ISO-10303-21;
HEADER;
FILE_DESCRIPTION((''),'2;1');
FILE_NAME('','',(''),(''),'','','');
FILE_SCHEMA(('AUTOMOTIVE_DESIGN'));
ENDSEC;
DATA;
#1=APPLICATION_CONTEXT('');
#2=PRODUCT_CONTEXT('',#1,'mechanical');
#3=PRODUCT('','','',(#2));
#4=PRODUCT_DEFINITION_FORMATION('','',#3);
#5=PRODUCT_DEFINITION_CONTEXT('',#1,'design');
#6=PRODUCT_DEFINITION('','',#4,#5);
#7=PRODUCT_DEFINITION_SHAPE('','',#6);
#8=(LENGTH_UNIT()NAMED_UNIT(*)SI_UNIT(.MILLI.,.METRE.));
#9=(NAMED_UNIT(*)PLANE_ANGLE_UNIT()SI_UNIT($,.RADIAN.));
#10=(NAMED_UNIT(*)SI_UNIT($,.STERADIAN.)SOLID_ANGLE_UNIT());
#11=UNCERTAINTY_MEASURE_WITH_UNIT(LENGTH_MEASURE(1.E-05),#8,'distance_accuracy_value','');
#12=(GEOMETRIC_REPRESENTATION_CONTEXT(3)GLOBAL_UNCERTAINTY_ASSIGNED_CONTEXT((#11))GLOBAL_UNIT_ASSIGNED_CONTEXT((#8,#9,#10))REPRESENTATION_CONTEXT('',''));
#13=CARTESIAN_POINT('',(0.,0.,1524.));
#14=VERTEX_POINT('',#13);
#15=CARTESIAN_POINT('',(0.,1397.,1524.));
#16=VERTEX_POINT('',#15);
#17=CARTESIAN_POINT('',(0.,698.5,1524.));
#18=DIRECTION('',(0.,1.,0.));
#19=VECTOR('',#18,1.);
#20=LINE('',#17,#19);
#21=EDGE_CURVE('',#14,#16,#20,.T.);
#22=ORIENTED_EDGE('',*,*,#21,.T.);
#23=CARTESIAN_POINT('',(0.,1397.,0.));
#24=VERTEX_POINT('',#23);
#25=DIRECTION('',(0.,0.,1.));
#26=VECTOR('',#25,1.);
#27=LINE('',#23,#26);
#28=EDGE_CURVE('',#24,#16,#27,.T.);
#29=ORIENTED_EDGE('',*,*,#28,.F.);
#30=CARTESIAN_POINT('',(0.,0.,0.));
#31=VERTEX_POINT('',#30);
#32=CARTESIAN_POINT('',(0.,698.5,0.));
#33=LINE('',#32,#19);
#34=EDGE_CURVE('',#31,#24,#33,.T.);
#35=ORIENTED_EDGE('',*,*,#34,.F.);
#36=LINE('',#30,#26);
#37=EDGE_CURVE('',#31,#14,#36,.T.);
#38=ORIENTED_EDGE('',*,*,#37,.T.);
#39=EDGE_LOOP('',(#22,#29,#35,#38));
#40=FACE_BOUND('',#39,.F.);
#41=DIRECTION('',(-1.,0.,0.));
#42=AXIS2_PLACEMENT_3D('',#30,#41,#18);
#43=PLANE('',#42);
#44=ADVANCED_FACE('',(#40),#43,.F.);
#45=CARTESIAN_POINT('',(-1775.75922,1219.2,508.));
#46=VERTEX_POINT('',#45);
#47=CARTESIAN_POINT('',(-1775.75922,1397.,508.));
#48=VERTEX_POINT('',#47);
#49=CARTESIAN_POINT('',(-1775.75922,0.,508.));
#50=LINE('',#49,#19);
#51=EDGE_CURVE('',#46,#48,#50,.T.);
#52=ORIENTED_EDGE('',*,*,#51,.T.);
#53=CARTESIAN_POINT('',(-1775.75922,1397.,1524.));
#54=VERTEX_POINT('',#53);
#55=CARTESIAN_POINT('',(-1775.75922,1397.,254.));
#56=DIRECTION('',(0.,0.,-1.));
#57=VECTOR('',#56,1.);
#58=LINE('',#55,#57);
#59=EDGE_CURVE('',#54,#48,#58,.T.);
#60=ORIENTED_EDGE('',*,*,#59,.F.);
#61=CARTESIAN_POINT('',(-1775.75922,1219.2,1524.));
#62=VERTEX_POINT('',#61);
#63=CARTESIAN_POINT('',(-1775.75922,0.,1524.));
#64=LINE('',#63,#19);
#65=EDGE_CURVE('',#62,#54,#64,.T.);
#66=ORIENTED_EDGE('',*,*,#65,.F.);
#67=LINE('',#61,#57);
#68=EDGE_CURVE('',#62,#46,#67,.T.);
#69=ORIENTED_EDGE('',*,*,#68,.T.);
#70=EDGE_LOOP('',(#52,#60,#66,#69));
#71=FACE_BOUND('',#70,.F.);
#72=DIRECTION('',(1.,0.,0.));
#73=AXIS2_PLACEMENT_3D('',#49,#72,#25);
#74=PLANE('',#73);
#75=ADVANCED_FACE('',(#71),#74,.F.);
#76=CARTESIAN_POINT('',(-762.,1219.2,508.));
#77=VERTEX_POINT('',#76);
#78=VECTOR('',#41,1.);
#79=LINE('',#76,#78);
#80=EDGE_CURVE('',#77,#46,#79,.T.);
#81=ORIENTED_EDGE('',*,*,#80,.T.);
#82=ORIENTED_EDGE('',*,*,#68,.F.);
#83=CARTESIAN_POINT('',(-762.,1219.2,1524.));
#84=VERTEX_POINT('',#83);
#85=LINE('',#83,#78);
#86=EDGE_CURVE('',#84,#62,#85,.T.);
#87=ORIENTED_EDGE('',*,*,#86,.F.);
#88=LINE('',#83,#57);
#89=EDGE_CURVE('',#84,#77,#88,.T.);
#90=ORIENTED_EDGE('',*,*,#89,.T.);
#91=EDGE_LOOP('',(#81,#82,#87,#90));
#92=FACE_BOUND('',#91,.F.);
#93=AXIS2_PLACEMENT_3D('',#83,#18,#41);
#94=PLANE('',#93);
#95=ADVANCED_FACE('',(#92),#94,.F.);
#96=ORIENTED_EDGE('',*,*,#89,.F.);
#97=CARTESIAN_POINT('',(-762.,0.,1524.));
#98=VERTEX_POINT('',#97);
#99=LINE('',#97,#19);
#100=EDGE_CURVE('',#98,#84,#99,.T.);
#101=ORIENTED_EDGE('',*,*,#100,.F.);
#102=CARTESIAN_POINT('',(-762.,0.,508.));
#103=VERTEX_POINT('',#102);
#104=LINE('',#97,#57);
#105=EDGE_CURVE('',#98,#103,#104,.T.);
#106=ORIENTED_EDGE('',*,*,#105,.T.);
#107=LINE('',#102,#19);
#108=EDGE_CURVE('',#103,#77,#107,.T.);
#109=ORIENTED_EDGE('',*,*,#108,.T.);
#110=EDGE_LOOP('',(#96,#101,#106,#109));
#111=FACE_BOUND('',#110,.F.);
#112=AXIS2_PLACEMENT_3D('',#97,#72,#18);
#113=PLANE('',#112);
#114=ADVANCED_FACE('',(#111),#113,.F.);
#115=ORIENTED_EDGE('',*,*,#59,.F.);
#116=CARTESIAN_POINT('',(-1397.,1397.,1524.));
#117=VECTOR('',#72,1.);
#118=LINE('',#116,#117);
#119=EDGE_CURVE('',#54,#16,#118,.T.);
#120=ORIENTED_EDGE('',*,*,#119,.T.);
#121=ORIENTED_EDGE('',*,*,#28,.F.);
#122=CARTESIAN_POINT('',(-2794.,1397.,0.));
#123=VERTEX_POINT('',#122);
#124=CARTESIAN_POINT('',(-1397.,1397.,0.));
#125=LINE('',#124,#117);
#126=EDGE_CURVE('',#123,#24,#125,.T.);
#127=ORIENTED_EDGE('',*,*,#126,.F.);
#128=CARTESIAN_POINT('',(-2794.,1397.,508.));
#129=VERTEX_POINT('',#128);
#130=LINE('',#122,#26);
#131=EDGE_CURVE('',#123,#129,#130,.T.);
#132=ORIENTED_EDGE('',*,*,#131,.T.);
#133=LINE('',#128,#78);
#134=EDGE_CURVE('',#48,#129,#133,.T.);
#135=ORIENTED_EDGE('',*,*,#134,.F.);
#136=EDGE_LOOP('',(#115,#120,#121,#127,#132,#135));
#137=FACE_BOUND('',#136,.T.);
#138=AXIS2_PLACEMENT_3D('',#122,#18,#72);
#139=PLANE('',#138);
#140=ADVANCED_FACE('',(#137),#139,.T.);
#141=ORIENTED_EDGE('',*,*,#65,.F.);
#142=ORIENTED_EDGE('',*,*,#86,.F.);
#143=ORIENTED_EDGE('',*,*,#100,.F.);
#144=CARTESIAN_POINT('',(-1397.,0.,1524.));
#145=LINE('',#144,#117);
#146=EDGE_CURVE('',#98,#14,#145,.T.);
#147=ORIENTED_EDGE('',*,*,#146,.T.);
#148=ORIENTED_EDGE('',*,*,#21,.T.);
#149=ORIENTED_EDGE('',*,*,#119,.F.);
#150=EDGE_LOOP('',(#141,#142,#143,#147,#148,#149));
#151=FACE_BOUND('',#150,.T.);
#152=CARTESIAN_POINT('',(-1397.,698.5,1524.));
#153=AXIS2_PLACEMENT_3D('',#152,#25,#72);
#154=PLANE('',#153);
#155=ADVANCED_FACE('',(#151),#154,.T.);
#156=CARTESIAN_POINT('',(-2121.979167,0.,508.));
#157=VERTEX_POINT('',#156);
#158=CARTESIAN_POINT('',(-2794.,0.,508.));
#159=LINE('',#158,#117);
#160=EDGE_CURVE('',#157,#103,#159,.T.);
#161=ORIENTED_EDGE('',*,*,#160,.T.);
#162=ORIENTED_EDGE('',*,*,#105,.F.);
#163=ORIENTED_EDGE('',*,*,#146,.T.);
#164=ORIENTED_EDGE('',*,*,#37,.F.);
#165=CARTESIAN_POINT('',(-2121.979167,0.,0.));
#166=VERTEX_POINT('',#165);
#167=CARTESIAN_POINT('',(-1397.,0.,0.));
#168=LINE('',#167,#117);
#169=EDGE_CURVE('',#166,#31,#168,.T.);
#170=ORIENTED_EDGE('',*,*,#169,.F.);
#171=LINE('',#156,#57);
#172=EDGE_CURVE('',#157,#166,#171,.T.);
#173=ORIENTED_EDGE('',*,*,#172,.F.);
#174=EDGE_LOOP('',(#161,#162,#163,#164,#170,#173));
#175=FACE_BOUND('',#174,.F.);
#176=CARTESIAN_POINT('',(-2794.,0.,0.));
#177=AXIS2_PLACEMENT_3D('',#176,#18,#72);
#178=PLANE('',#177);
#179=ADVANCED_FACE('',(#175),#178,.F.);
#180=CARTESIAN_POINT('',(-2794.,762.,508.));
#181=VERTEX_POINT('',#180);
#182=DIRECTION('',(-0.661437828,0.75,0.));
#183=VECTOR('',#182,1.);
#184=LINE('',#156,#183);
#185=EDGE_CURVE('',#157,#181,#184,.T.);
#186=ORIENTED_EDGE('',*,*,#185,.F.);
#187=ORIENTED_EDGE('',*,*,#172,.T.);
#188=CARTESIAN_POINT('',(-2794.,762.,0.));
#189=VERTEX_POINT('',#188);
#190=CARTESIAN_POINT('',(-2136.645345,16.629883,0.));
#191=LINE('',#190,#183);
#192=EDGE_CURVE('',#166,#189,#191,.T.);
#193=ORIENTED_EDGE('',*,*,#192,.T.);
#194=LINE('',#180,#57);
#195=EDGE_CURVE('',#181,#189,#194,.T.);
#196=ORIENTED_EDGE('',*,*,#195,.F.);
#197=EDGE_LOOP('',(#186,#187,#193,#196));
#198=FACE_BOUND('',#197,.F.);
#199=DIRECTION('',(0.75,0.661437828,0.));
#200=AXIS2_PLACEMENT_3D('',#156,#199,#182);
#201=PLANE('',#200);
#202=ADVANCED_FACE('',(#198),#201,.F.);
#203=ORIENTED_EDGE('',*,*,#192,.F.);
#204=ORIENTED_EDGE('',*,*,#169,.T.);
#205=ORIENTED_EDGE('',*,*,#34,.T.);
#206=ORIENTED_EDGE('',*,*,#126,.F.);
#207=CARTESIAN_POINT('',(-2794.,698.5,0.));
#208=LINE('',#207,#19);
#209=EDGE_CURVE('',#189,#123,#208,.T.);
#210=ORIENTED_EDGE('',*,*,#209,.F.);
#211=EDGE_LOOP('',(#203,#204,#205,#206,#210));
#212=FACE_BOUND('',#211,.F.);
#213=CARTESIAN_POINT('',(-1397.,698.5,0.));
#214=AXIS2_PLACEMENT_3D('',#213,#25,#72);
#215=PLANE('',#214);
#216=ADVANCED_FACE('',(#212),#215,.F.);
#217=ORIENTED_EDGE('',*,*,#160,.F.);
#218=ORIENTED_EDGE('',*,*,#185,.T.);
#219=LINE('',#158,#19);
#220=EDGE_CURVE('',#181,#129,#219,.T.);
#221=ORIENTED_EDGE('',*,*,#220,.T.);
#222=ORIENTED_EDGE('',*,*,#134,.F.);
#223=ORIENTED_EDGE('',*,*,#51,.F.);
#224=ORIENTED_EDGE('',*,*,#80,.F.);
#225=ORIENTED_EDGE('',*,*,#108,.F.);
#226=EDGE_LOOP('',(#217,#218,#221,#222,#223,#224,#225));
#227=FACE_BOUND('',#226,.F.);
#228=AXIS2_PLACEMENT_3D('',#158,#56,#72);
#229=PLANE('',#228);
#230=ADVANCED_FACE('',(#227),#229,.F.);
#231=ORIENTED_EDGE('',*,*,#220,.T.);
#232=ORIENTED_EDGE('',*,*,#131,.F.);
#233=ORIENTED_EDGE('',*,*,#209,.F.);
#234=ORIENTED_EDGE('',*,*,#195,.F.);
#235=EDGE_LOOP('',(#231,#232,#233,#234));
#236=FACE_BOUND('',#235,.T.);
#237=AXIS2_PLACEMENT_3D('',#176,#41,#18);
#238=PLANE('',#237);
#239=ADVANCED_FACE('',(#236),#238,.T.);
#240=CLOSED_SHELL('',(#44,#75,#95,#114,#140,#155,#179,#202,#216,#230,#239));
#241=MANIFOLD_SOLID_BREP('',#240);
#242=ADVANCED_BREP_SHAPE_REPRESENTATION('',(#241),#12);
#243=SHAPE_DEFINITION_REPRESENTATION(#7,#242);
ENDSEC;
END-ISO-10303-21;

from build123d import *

# Parameters (mm, degrees)
F0_W     = 2794
F0_H     = 1397
F1_DEPTH = 1524
F4_DEPTH = 1016
F5_W     = 1018.2407798767
F5_H     = 1016
F6_DEPTH = 3329.94
F8_DEPTH = 1772.92


with BuildPart() as f1:
    # F0 (on Top) → F1 (new body)
    with BuildSketch(Plane.XY):
        with Locations((-1397, 698.5)):
            Rectangle(F0_W, F0_H)
    extrude(amount=F1_DEPTH)

    # F3 (on face) → F4 (cut)
    with BuildSketch(Plane.XY.offset(1524)):
        Polygon((-762, 0), (-762, 1016), (-762, 1219.2), (-1775.7592201233, 1219.2), (-1775.7592201233, 0), align=None)
    extrude(amount=-F4_DEPTH, mode=Mode.SUBTRACT)

    # F5 (on face) → F6 (cut)
    with BuildSketch(Plane.XZ):
        with Locations((-2284.8796100616, 1016)):
            Rectangle(F5_W, F5_H)
    extrude(amount=-F6_DEPTH, mode=Mode.SUBTRACT)

    # F7 (on face) → F8 (cut)
    with BuildSketch(Plane.XY.offset(508)):
        Polygon((-2121.9791669896, 0), (-2794, 762), (-2794, 0), align=None)
    extrude(amount=-F8_DEPTH, mode=Mode.SUBTRACT)


solid = f1.part
